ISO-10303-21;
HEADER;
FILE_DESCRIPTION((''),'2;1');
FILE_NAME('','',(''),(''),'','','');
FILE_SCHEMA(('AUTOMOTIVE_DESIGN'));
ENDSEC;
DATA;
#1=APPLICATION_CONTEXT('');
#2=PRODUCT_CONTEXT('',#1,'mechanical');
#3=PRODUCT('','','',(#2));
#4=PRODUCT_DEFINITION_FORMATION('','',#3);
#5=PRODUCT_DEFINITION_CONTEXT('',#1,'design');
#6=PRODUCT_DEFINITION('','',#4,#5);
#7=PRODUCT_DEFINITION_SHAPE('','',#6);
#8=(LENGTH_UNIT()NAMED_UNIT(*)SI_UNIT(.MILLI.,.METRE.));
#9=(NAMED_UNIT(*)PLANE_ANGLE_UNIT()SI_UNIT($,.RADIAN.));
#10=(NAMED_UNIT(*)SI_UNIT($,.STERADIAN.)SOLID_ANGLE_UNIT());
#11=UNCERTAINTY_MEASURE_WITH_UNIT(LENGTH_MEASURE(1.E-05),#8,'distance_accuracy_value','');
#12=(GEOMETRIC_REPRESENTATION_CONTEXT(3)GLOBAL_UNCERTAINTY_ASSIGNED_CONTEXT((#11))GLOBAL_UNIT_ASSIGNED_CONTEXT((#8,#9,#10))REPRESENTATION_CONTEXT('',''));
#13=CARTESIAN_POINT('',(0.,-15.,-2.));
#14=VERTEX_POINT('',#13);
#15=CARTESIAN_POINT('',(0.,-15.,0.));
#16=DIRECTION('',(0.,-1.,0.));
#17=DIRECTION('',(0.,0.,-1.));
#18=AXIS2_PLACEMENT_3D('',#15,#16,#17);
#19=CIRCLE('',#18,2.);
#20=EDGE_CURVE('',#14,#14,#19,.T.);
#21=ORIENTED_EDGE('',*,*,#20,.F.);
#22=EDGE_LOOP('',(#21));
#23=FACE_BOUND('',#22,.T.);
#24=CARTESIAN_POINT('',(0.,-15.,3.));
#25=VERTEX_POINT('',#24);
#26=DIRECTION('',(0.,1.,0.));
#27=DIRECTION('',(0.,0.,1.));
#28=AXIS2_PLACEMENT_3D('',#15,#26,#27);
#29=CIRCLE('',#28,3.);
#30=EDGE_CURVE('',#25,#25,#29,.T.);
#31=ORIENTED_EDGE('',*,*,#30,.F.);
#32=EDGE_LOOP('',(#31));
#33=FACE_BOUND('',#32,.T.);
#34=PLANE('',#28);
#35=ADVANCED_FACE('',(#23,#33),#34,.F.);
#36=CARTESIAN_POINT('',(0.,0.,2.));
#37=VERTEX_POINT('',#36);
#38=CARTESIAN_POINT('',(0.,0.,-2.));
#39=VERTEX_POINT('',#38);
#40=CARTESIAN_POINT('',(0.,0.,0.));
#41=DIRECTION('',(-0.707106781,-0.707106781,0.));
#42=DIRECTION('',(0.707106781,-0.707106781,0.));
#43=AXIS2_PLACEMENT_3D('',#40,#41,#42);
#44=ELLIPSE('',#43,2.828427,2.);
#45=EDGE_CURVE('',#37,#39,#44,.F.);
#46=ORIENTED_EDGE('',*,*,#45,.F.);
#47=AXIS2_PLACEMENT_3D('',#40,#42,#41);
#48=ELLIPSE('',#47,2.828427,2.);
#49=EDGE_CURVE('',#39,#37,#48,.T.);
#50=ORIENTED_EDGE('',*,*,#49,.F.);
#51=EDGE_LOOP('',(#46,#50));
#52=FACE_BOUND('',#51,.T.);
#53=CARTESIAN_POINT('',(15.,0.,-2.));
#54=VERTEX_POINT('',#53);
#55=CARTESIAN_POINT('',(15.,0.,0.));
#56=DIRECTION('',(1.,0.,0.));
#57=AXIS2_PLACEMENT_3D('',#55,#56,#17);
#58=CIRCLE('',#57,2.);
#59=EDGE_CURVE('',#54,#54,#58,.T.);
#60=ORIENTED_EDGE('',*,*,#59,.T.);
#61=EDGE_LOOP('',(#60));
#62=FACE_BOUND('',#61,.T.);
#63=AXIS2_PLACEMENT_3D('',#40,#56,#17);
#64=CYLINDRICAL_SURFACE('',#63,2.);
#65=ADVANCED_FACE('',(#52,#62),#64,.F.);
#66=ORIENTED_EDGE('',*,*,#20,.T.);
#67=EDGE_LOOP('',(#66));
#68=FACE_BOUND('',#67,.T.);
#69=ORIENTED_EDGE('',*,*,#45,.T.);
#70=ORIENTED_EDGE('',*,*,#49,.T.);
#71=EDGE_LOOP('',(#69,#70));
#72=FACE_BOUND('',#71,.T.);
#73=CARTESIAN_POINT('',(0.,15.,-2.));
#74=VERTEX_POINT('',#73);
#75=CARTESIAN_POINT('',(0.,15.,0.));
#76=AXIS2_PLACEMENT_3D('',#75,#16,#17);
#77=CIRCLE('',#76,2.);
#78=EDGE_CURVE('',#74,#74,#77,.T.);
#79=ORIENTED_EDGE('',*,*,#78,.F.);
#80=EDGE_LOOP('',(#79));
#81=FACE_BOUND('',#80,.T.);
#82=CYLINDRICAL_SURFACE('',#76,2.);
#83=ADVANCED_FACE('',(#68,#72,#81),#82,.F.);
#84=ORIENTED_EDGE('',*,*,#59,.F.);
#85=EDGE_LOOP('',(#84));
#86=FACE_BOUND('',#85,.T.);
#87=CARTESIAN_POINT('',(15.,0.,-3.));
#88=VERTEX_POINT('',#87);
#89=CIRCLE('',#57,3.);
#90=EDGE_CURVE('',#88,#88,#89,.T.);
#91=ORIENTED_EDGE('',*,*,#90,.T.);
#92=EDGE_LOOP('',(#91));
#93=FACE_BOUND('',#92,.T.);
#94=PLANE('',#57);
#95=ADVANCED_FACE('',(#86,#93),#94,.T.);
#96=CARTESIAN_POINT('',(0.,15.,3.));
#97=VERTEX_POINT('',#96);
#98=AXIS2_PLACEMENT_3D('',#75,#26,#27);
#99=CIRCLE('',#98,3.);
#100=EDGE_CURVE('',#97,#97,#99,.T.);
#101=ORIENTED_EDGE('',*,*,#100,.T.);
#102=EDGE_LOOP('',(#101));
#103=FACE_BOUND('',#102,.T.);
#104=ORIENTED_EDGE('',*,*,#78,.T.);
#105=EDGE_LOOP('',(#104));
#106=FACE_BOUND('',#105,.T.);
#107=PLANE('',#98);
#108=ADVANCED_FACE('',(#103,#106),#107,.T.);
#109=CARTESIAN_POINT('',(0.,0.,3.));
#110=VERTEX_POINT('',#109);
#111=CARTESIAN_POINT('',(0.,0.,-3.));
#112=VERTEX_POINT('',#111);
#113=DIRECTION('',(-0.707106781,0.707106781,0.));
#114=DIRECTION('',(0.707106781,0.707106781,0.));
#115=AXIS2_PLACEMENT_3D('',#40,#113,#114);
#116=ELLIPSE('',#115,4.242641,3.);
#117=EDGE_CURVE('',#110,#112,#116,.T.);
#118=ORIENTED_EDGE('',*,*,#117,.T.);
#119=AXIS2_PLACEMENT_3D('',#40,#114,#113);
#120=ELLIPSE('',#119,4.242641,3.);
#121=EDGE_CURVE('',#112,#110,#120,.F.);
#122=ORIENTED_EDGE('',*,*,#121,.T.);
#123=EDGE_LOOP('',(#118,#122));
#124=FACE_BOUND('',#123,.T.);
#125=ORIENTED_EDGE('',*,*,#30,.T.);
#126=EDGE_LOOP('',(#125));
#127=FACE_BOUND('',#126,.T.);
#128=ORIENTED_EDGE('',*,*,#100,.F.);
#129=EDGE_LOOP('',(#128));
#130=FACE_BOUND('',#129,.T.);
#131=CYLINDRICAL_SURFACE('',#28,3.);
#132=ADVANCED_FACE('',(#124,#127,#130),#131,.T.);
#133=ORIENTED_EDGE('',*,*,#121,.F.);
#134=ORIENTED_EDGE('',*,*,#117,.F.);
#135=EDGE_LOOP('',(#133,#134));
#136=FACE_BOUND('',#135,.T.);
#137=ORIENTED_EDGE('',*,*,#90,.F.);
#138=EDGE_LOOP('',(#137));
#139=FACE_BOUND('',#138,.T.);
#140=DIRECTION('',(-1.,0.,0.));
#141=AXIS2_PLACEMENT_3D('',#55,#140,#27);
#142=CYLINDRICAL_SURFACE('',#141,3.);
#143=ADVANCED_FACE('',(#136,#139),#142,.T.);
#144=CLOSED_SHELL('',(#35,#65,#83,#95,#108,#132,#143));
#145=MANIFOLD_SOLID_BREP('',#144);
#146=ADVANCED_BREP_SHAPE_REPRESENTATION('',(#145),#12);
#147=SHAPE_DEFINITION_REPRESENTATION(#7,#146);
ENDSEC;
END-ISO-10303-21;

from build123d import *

# Parameters (mm, degrees)
BOSS_EXTRUDE2_DEPTH      = 15
BOSS_EXTRUDE2_DEPTH_BACK = 15
SKETCH4_R                = 3
SKETCH5_R                = 3
BOSS_EXTRUDE3_DEPTH      = 15
SKETCH6_R                = 2
CUT_EXTRUDE1_DEPTH       = 34.674916481
SKETCH7_R                = 2
CUT_EXTRUDE2_DEPTH       = 15


with BuildPart() as part:
    # Sketch4 → Boss-Extrude2 (new, two sides: drawn at the far end of the back side and taken through both)
    with BuildSketch(Plane(origin=(0, 0, 0), x_dir=(1, 0, 0), z_dir=(0, 1, 0)).offset(-BOSS_EXTRUDE2_DEPTH_BACK)):
        Circle(SKETCH4_R)
    extrude(amount=BOSS_EXTRUDE2_DEPTH + BOSS_EXTRUDE2_DEPTH_BACK)

    # Sketch5 → Boss-Extrude3 (add)
    with BuildSketch(Plane(origin=(0, 0, 0), x_dir=(0, 0, -1), z_dir=(1, 0, 0))):
        Circle(SKETCH5_R)
    extrude(amount=BOSS_EXTRUDE3_DEPTH)

    # Sketch6 → Cut-Extrude1 (cut, through all)
    with BuildSketch(Plane.XZ.offset(15)):
        Circle(SKETCH6_R)
    extrude(amount=-CUT_EXTRUDE1_DEPTH, mode=Mode.SUBTRACT)

    # Sketch7 → Cut-Extrude2 (cut)
    with BuildSketch(Plane(origin=(15, 0, 0), x_dir=(0, 0, -1), z_dir=(1, 0, 0))):
        Circle(SKETCH7_R)
    extrude(amount=-CUT_EXTRUDE2_DEPTH, mode=Mode.SUBTRACT)


solid = part.part
